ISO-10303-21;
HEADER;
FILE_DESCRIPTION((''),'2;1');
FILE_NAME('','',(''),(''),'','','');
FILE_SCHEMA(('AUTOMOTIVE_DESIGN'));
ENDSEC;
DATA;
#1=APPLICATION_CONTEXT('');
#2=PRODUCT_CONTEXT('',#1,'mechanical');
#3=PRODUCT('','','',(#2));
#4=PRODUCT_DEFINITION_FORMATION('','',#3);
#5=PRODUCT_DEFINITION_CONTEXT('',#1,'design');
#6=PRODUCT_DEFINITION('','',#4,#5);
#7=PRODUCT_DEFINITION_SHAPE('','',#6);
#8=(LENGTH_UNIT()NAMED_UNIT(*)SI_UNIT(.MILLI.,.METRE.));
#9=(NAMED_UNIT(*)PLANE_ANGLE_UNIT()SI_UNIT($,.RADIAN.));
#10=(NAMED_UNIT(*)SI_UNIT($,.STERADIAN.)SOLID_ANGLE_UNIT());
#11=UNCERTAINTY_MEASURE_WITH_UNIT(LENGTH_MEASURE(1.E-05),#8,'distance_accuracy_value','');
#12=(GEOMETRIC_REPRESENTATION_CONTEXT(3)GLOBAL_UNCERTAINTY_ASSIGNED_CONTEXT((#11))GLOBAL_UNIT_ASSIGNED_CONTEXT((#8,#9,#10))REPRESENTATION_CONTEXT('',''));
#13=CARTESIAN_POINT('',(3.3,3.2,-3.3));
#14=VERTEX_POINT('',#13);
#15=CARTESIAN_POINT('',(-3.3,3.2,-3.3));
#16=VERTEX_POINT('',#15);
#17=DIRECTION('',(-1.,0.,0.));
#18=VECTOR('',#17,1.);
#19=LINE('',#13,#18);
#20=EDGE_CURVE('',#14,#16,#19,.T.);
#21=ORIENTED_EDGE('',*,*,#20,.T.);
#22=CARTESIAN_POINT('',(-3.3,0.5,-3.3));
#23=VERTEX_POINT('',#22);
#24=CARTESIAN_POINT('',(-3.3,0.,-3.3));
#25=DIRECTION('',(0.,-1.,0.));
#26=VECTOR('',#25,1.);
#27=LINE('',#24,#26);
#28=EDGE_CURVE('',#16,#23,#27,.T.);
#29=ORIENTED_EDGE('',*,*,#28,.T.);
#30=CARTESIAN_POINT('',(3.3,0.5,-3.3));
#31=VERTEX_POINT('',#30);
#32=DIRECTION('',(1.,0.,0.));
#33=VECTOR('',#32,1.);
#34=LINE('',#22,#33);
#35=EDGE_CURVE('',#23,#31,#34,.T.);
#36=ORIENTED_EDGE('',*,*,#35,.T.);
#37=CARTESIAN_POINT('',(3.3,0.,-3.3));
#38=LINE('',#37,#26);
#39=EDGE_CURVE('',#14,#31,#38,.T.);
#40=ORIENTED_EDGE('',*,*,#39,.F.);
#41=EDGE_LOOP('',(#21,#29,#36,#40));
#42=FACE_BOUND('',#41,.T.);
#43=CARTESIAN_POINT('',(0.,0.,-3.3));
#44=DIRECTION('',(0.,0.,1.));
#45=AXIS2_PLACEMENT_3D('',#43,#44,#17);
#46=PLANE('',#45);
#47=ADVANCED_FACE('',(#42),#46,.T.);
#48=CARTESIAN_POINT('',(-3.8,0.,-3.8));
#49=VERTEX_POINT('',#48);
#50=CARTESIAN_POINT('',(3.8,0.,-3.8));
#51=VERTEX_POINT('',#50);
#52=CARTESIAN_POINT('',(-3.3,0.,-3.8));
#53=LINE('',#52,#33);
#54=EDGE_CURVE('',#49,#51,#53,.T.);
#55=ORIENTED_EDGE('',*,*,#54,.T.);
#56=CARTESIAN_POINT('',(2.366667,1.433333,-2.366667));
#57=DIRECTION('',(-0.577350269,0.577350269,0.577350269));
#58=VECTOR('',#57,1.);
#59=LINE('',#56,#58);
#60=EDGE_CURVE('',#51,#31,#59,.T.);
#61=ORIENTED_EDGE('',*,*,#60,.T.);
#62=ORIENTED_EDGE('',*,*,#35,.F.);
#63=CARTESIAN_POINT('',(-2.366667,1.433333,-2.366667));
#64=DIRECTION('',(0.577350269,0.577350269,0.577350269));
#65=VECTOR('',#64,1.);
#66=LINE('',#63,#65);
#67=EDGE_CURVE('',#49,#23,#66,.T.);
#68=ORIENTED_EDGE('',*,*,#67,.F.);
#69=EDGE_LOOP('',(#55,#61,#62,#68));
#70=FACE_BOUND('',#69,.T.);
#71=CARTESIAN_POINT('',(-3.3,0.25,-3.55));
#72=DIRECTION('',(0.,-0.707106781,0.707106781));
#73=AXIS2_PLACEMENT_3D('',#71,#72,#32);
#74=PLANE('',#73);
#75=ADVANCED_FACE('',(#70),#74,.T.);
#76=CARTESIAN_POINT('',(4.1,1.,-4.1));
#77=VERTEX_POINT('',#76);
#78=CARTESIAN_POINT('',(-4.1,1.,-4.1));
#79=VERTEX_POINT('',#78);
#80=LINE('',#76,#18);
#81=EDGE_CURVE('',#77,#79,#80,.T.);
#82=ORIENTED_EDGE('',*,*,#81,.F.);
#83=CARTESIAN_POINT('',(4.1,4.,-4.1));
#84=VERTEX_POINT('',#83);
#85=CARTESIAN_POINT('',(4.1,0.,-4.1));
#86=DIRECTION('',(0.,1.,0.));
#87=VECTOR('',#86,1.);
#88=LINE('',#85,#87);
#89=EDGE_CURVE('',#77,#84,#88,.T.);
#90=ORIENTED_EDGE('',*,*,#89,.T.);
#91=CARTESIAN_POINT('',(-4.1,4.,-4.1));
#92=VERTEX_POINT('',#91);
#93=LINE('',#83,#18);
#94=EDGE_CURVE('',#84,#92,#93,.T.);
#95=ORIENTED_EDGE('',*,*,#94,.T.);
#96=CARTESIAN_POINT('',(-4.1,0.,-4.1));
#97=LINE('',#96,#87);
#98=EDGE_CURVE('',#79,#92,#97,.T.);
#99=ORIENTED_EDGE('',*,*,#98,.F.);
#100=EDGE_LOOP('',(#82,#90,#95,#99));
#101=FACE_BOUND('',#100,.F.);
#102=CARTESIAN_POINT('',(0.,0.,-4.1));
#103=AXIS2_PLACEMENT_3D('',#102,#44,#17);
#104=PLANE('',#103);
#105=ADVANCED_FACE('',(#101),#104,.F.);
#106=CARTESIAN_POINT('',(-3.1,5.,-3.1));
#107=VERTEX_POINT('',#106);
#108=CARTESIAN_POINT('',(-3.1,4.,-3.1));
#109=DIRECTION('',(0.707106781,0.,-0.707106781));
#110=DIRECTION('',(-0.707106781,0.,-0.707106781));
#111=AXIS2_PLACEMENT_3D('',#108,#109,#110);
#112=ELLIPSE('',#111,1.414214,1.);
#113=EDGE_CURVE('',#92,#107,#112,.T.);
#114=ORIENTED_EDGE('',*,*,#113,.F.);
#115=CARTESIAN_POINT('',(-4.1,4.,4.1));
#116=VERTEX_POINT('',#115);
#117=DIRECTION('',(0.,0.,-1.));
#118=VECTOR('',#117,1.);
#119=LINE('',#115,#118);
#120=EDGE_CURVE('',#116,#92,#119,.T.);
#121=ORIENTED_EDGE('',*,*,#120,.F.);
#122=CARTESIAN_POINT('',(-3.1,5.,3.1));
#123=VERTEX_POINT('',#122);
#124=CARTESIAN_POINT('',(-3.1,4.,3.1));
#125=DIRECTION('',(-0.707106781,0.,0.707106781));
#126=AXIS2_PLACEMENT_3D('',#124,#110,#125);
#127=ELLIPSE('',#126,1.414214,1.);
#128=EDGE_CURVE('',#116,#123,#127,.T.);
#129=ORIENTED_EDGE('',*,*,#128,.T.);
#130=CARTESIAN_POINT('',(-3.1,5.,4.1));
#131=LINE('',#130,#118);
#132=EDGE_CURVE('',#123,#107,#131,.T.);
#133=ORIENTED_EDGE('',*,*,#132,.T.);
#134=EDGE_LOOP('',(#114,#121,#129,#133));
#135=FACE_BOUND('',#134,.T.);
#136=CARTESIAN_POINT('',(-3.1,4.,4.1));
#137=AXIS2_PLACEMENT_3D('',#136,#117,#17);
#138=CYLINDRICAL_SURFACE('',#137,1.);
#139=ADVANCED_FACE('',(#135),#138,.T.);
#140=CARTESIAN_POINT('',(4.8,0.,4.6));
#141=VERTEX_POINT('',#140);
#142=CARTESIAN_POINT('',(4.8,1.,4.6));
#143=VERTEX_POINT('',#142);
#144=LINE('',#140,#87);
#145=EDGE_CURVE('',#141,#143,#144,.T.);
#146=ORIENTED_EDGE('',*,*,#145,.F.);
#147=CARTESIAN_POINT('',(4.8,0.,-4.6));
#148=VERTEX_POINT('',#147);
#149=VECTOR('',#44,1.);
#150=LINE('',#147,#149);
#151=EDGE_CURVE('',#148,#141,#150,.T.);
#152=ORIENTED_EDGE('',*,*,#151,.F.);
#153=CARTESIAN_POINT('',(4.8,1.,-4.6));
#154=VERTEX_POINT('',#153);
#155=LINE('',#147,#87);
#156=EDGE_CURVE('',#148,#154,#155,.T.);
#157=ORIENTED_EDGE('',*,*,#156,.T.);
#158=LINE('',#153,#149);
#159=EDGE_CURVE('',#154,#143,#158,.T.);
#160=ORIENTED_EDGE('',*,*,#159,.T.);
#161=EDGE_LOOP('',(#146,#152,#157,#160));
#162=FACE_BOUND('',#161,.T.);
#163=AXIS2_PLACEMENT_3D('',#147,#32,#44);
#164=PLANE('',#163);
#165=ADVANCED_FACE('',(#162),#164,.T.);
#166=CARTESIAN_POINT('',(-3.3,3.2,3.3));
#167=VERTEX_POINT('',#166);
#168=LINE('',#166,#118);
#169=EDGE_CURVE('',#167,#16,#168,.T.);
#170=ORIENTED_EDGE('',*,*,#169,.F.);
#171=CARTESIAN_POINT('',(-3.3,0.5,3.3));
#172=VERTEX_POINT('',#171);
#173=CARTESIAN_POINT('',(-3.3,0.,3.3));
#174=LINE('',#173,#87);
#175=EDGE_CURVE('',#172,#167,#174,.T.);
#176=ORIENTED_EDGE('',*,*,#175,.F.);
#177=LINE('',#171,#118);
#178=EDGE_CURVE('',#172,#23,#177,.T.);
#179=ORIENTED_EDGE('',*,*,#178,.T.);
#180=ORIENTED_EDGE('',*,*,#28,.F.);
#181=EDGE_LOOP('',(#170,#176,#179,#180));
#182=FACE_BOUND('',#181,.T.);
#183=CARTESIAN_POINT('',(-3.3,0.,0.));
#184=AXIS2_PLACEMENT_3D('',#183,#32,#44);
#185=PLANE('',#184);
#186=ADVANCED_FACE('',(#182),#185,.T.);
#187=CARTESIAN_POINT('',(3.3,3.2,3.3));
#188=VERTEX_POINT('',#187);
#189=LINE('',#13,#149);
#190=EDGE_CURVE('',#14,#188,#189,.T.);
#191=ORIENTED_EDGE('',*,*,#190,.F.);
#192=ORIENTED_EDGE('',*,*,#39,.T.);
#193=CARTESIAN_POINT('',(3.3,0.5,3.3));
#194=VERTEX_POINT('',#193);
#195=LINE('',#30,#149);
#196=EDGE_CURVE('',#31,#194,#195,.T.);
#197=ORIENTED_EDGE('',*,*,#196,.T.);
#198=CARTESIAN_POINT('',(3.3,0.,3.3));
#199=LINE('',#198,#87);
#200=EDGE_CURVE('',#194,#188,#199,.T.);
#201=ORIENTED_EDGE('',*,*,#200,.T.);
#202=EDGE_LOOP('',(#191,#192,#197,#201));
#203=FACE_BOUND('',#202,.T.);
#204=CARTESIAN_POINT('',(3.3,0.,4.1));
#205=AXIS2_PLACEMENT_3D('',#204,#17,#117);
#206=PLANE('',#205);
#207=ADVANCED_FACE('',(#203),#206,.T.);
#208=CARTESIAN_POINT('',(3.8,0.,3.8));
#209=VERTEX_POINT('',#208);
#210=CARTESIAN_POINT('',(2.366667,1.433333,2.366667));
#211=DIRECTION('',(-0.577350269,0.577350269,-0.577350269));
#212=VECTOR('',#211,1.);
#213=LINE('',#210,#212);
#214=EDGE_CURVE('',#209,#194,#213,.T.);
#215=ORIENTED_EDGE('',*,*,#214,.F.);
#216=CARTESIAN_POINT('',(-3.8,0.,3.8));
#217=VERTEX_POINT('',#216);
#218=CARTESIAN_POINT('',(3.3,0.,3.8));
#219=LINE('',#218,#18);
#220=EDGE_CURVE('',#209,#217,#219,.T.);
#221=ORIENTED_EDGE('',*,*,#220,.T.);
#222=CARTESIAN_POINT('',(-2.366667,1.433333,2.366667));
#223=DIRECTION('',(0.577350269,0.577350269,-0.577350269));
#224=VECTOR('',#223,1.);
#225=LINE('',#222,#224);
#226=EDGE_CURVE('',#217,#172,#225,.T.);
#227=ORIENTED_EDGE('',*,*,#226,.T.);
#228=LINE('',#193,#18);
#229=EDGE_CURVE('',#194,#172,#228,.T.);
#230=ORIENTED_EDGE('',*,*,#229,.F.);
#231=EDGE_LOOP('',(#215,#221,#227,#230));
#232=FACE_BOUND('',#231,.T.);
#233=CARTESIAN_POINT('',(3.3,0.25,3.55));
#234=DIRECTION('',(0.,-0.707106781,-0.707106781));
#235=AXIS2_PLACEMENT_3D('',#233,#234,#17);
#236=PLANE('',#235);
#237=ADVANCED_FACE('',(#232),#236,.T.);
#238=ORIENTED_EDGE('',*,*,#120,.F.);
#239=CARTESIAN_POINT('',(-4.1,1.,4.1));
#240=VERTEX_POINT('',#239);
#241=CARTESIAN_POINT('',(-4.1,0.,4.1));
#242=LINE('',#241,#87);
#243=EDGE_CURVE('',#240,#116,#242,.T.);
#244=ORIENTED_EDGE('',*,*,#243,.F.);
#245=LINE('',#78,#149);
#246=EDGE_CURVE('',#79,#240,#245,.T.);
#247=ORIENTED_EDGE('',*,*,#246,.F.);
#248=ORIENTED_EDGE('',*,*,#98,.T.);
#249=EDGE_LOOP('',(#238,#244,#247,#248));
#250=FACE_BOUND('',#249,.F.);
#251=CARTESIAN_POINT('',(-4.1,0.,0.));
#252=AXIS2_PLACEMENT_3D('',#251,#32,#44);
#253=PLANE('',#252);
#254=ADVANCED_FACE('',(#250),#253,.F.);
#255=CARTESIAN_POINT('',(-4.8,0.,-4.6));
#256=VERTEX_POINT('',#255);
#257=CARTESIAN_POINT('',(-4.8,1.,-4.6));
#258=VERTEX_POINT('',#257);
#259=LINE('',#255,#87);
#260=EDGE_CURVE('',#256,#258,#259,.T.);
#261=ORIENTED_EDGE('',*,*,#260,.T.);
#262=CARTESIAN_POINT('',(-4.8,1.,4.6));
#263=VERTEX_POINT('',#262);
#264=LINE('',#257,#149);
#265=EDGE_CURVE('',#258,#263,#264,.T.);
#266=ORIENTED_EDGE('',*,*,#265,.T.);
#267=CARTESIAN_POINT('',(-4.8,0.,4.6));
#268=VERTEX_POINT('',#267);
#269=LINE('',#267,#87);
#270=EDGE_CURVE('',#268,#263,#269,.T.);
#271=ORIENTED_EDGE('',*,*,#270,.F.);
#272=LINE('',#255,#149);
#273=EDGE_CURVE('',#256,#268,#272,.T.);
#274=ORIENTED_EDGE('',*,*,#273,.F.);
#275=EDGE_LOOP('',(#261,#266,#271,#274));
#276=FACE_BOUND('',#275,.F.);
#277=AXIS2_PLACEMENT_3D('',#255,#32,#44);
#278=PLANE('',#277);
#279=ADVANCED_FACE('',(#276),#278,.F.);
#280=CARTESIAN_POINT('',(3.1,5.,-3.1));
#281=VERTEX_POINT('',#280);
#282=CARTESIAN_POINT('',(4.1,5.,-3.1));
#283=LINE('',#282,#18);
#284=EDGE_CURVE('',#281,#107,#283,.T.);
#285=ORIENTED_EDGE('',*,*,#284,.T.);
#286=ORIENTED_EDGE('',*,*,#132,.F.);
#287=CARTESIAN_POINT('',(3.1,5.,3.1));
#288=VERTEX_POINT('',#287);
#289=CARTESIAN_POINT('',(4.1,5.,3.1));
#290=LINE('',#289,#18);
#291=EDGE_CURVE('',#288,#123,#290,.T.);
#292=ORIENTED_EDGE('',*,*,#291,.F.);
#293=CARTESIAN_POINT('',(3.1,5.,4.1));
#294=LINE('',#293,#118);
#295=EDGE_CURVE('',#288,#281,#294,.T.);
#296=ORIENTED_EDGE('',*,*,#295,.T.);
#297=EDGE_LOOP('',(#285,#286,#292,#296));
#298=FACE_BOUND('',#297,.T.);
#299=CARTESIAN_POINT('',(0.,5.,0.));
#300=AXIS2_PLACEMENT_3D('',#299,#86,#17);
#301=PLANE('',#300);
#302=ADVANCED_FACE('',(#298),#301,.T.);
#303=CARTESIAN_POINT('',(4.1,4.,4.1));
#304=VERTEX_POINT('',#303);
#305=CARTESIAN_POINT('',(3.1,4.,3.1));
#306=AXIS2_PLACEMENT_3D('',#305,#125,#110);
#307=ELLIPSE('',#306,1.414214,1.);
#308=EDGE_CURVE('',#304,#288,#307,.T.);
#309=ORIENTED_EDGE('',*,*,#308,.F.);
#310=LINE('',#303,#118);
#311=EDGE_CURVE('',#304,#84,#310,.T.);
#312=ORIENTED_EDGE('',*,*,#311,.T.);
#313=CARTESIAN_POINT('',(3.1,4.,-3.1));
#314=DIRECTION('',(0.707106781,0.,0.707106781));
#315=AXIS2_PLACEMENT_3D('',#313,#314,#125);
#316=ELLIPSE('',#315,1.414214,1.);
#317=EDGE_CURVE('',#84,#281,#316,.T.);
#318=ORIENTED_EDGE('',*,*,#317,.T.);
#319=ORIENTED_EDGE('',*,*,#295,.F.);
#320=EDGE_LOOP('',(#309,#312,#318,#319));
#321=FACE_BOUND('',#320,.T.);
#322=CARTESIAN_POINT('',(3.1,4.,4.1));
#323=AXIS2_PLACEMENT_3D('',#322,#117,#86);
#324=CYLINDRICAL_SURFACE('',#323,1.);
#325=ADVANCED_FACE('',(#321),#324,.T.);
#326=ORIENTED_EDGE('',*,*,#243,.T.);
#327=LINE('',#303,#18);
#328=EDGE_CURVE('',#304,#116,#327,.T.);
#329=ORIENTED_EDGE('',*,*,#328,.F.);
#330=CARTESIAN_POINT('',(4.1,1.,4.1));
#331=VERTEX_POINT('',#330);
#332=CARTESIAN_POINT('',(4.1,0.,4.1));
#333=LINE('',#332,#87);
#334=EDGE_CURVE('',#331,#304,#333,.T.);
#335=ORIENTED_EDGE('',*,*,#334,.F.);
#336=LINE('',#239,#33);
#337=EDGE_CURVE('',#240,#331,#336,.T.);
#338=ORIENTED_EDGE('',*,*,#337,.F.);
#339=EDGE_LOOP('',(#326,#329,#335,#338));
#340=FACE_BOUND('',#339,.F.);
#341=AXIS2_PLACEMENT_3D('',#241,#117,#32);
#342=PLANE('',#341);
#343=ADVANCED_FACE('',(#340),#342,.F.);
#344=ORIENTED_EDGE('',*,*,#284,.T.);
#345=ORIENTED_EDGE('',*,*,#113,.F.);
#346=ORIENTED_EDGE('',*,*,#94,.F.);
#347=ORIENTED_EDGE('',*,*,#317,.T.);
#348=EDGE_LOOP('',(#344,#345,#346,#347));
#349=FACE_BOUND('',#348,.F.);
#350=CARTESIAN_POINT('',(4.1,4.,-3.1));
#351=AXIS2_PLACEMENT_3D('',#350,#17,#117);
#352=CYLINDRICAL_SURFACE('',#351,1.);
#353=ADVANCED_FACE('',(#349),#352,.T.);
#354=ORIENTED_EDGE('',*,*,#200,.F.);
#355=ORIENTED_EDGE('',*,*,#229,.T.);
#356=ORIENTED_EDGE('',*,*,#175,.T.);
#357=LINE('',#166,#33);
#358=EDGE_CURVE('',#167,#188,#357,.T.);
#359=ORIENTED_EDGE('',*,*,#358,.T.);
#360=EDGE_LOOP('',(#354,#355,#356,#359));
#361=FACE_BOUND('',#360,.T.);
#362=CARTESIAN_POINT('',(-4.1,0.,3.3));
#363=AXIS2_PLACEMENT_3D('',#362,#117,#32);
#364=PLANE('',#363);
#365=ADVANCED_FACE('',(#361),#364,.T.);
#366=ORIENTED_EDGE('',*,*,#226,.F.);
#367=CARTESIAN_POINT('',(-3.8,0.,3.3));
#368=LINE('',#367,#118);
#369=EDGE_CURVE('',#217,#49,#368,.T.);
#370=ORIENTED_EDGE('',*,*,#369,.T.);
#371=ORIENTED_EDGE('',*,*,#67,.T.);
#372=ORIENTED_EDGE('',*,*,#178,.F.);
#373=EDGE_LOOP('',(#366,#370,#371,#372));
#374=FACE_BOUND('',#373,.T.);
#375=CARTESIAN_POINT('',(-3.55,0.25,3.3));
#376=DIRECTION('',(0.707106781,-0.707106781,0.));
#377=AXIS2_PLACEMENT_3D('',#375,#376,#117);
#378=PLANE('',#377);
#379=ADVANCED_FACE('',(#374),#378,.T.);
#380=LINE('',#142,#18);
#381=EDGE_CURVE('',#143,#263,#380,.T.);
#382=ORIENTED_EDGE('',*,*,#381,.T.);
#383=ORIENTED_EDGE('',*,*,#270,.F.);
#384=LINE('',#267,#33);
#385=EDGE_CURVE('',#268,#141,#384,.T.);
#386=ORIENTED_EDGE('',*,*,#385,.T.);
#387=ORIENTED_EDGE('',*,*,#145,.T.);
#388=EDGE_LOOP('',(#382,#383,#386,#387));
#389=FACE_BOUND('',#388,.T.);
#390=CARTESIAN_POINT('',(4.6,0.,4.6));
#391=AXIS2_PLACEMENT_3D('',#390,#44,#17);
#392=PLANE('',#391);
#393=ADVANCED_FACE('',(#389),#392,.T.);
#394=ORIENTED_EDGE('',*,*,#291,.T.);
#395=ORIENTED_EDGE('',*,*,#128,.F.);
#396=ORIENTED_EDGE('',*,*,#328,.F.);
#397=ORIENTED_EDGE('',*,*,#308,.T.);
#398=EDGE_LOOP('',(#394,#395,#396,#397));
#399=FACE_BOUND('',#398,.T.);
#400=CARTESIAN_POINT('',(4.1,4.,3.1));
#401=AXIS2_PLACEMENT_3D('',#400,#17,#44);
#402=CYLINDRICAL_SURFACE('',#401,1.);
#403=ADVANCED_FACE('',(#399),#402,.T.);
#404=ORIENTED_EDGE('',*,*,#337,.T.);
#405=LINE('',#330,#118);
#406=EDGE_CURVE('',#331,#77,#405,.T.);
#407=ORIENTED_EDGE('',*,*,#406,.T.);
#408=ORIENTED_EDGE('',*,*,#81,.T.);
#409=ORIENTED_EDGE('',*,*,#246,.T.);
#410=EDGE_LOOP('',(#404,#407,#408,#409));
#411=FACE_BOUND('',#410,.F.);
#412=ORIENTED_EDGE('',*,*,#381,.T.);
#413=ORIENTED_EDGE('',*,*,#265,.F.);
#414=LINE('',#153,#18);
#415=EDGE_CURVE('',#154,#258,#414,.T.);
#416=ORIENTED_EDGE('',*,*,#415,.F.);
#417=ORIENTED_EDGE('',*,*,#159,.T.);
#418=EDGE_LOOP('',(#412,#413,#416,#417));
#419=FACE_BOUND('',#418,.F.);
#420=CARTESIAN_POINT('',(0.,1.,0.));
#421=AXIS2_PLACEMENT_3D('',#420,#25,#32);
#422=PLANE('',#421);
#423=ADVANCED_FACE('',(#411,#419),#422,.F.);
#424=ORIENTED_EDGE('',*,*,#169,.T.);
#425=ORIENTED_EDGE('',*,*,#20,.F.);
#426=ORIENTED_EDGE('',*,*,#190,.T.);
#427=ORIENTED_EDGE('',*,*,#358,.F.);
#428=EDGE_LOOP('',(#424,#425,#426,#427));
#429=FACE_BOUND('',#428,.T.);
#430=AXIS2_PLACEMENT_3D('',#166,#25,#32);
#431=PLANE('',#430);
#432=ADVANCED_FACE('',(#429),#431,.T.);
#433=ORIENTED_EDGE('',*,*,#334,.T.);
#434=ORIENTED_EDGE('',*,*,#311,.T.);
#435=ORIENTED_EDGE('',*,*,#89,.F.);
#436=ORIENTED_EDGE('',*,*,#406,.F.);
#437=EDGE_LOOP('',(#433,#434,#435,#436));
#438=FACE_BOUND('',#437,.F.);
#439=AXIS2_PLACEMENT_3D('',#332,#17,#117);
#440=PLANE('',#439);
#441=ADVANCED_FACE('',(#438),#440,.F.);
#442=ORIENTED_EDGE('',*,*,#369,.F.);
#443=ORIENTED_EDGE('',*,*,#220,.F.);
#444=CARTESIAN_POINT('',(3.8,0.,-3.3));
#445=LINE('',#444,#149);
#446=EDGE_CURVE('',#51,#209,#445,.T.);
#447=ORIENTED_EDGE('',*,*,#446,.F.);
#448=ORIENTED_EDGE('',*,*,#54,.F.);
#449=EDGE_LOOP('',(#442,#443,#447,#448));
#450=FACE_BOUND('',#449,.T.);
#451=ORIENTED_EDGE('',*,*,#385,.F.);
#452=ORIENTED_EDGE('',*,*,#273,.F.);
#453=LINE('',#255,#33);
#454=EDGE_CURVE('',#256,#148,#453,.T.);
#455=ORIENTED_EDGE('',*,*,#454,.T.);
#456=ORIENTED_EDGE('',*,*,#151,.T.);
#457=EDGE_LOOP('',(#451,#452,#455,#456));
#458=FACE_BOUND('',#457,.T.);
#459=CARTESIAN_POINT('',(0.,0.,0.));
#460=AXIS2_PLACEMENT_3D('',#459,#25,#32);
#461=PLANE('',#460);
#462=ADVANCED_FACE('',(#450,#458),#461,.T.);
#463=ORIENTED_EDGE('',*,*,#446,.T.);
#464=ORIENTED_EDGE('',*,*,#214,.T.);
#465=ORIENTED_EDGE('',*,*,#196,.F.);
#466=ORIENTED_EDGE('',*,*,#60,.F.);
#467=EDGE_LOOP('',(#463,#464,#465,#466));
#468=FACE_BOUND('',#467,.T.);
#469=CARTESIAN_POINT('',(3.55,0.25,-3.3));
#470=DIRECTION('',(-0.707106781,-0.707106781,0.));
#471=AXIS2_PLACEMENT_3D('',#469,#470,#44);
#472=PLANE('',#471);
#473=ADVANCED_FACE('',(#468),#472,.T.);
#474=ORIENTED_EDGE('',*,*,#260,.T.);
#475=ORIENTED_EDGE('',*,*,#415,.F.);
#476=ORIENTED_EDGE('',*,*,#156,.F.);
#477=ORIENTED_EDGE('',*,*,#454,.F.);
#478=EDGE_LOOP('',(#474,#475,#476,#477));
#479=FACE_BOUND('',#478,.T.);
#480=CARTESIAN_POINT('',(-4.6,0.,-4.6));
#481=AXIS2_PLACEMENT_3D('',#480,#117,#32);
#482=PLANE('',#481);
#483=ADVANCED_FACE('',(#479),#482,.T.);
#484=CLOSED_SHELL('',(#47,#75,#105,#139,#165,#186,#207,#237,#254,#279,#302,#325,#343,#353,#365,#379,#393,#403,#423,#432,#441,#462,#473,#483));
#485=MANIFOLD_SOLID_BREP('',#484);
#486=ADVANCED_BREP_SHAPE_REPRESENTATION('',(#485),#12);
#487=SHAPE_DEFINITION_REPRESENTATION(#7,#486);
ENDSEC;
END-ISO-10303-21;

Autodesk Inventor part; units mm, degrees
ref_plane "YZ Plane" through (0, 0, 0) normal (1, 0, 0) x (0, 1, 0)
ref_plane "XZ Plane" through (0, 0, 0) normal (0, 1, 0) x (-1, 0, 0)
ref_plane "XY Plane" through (0, 0, 0) normal (0, 0, 1) x (1, 0, 0)
sketch "Эскиз1" plane through (0, 0, 0) normal (0, 1, 0) x (-1, 0, 0)
  line L0 (4.1, 4.1) -> (-4.1, 4.1)
  line L1 (-4.1, 4.1) -> (-4.1, -4.1)
  line L2 (-4.1, -4.1) -> (4.1, -4.1)
  line L3 (4.1, -4.1) -> (4.1, 4.1)
  line L4 (5.74, 0) -> (-5.74, 0) projected
  line L5 (0, -5.74) -> (0, 5.74) projected
  point P0 (0, 0)
  dimension "d0" = 8.2
extrude "Выдавливание1" add sketch "Эскиз1" along normal blind 5
shell "Оболочка1" thickness 0.8 removed faces 1 at (1.3667, 0, 1.3667)
sketch "Эскиз3" plane through (-3.3, 4.2, 3.3) normal (0, -1, 0) x (1, 0, 0)
  line L0 (0, 0) -> (6.6, 0) projected
  line L1 (6.6, -6.6) -> (0, -6.6) projected
  line L2 (6.6, 0) -> (0, 0)
  line L3 (0, 0) -> (0, -6.6)
  line L4 (0, -6.6) -> (6.6, -6.6)
  line L5 (6.6, -6.6) -> (6.6, 0)
  point P0 (3.3, -3.3)
extrude "Выдавливание2" add sketch "Эскиз3" along normal blind 1
fillet "Сопряжение1" radius 1 4 edges at (0, 5, -4.1) (0, 5, 4.1) (4.1, 5, 0) (-4.1, 5, 0)
sketch "Эскиз5" plane through (0, 0, 0) normal (0, -1, 0) x (1, 0, 0)
  line L0 (-4.1, 4.1) -> (4.1, 4.1) projected
  line L1 (4.1, 4.1) -> (4.1, -4.1) projected
  line L2 (4.1, -4.1) -> (-4.1, -4.1) projected
  line L3 (-4.1, -4.1) -> (-4.1, 4.1) projected
  line L4 (-4.6, -4.6) -> (4.6, -4.6)
  line L5 (4.6, -4.6) -> (4.6, 4.6)
  line L6 (4.6, 4.6) -> (-4.6, 4.6)
  line L7 (-4.6, 4.6) -> (-4.6, -4.6)
  line L8 (4.6, -4.6) -> (4.8, -4.6)
  line L9 (4.8, -4.6) -> (4.8, 4.6)
  line L10 (4.8, 4.6) -> (4.6, 4.6)
  line L11 (4.6, 4.6) -> (4.6, -4.6)
  line L12 (-4.6, -4.6) -> (-4.8, -4.6)
  line L13 (-4.8, -4.6) -> (-4.8, 4.6)
  line L14 (-4.8, 4.6) -> (-4.6, 4.6)
  line L15 (-4.6, 4.6) -> (-4.6, -4.6)
  point P0 (0, 0)
  dimension "d10" = 0.5
  dimension "d13" = 0.2
  dimension "d14" = 0.2
extrude "Выдавливание4" add sketch "Эскиз5" against normal blind 1
chamfer "Фаска1" distance 0.5 angle 45 4 edges at (-3.3, 0, 0) (0, 0, 3.3) (3.3, 0, 0) (0, 0, -3.3)
properties part number "BUTTON2"
